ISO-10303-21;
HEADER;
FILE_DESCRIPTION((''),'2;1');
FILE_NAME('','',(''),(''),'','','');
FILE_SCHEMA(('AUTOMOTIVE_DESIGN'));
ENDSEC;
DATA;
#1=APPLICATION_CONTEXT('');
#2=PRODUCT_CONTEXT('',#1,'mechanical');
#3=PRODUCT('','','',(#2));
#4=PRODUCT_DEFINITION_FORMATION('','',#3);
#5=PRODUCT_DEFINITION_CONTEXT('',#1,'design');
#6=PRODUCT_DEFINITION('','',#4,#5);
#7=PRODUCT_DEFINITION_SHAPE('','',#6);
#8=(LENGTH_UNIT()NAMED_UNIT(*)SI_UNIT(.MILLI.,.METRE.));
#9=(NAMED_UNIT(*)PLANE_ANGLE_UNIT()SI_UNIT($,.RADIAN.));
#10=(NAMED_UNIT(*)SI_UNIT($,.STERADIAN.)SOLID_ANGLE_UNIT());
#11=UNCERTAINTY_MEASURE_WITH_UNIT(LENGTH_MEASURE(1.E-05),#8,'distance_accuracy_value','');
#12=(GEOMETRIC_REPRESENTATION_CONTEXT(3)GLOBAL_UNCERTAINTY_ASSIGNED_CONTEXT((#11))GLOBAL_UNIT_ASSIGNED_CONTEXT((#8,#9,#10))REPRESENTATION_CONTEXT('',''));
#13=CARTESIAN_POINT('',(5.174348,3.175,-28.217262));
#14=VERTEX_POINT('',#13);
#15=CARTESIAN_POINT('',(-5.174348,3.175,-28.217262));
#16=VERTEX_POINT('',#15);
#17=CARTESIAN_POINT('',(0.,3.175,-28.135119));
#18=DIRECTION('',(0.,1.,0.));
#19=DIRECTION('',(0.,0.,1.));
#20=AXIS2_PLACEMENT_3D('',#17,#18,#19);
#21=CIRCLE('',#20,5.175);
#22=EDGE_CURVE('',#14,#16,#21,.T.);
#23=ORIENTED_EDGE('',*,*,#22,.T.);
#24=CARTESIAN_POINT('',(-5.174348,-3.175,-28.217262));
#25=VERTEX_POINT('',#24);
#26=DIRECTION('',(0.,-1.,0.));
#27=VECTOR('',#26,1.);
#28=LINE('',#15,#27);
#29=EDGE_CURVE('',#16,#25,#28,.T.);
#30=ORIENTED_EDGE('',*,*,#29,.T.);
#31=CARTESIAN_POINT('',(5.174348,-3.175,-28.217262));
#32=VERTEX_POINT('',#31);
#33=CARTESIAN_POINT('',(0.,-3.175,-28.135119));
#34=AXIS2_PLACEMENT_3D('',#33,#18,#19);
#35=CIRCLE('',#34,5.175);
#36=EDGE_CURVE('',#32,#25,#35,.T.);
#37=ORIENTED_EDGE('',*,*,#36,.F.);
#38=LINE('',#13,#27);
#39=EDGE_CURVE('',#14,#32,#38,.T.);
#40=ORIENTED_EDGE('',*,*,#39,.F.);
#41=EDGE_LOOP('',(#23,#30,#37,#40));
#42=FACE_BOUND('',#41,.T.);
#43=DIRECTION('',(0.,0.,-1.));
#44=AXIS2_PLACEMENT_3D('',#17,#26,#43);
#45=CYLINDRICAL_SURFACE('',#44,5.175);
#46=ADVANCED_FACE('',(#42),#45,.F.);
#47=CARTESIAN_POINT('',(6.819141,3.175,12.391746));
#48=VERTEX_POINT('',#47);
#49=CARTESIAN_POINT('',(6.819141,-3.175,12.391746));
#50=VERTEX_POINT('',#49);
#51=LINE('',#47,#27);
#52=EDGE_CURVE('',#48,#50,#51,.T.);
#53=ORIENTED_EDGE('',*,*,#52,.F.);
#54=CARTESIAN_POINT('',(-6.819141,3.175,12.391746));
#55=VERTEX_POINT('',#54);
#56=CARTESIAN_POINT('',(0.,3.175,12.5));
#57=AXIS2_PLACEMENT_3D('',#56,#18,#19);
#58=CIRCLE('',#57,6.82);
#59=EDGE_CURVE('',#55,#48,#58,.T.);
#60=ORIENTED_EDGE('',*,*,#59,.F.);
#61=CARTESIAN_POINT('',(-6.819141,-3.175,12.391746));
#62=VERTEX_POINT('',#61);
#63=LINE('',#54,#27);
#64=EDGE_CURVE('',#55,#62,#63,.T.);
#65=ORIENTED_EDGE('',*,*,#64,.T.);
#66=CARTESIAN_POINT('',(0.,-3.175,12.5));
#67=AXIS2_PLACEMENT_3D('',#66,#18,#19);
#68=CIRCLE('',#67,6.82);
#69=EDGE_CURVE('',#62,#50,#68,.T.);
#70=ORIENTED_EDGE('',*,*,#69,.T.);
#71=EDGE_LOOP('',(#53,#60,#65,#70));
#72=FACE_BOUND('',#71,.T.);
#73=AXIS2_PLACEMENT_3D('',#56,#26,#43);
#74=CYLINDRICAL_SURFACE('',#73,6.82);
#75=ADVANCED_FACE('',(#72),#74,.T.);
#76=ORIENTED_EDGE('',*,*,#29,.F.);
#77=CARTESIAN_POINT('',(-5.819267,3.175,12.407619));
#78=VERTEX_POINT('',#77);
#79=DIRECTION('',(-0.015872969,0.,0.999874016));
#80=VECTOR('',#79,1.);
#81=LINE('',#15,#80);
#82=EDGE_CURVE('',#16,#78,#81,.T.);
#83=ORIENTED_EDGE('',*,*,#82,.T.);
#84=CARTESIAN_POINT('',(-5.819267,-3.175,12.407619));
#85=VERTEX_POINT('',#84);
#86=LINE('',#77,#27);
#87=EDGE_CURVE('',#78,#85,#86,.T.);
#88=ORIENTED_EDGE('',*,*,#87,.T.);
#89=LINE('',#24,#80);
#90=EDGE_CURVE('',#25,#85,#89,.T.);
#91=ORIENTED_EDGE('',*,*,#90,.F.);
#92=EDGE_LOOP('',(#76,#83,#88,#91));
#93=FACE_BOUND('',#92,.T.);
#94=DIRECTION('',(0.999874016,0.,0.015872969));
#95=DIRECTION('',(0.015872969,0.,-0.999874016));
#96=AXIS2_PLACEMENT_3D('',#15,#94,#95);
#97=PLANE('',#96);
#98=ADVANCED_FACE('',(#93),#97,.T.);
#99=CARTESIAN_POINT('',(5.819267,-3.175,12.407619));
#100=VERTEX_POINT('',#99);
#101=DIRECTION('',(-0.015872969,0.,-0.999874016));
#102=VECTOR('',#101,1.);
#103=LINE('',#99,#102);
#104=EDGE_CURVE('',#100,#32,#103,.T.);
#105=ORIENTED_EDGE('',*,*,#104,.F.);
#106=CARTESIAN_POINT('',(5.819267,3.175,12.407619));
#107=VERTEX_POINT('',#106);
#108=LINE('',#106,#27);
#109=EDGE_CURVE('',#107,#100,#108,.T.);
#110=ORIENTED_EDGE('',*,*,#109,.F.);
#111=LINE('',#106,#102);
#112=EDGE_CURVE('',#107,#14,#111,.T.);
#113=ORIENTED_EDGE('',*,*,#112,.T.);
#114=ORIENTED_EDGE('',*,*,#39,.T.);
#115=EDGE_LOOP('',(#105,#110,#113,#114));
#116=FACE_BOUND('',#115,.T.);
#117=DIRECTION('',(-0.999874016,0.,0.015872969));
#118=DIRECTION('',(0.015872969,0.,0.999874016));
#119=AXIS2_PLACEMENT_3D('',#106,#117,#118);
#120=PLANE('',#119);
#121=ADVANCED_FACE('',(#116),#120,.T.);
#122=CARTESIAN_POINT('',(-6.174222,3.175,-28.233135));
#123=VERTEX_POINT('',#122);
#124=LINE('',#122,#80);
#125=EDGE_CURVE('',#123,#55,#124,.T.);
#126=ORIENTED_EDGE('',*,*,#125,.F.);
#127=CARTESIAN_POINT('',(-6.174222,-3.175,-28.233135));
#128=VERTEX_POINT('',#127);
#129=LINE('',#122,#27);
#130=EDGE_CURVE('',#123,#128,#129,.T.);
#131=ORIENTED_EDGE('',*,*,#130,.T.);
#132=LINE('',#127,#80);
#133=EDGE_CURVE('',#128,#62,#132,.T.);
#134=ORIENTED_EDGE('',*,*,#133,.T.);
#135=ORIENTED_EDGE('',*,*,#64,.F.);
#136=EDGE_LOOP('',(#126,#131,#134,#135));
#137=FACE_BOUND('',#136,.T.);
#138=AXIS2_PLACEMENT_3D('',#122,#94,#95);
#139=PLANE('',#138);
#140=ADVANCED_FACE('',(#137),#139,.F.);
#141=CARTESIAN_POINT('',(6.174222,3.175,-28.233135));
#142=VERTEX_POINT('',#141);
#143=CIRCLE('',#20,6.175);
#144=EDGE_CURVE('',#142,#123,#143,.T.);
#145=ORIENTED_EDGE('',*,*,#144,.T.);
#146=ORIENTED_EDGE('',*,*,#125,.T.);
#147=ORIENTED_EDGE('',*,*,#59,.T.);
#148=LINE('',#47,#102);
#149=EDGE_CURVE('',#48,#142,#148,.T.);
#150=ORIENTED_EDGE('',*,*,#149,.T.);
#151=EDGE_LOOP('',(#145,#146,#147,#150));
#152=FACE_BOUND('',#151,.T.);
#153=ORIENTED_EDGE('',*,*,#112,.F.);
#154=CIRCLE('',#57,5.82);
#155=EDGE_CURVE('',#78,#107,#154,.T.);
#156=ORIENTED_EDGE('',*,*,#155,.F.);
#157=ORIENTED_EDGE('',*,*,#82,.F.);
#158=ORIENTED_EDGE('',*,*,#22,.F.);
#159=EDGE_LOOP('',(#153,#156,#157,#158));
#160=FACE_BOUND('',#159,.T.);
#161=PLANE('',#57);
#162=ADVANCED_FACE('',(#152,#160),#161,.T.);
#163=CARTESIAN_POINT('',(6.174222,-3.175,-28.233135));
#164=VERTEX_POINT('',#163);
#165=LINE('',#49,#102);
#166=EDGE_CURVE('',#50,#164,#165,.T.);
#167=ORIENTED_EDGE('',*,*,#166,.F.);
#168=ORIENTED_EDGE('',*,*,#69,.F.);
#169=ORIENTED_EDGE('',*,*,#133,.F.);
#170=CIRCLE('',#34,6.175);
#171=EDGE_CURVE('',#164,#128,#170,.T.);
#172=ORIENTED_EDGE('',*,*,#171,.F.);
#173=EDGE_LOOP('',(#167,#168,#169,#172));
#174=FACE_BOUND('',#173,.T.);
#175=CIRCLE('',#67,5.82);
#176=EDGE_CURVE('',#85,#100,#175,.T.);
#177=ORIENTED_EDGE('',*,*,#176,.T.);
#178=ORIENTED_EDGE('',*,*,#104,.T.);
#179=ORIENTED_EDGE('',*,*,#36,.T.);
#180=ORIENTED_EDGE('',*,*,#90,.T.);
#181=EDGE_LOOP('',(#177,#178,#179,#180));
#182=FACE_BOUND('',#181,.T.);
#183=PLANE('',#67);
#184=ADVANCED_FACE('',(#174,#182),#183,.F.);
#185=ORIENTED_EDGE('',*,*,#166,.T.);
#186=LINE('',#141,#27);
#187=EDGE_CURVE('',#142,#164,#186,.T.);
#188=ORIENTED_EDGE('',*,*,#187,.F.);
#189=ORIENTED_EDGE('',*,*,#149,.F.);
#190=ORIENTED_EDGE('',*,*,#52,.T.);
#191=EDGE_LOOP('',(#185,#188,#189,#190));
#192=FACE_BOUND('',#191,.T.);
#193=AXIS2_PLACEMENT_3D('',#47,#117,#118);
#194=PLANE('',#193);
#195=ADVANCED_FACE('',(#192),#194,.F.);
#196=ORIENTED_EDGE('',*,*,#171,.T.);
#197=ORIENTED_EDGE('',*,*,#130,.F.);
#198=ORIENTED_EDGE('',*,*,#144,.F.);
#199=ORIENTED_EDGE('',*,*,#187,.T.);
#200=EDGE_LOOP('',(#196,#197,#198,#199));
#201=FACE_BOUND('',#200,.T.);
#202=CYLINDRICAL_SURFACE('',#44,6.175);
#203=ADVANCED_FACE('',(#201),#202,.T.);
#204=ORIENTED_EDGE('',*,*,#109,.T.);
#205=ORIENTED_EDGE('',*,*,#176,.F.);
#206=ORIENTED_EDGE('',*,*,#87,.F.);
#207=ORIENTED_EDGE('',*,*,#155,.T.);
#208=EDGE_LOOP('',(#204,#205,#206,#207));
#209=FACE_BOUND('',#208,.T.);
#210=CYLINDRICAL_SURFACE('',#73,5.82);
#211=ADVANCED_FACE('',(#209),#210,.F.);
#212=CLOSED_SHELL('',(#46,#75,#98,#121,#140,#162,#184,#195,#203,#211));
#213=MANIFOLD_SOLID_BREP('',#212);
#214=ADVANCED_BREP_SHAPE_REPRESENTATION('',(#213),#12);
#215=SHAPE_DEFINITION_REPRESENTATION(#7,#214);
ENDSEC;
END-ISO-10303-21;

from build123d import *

# Parameters (mm, degrees)
BOSS_EXTRU_1_DEPTH = 3.175


with BuildPart() as part:
    # Esquisse1 → Boss.-Extru.1 (new, symmetric)
    with BuildSketch(Plane(origin=(0, 0, 0), x_dir=(1, 0, 0), z_dir=(0, 1, 0))):
        with BuildLine():
            Line((6.819140792, -12.39174635), (6.174222052, 28.23313494))
            ThreePointArc((6.174222052, 28.23313494), (0, 34.310119355), (-6.174222052, 28.23313494))
            Line((-6.174222052, 28.23313494), (-6.819140792, -12.39174635))
            ThreePointArc((-6.819140792, -12.39174635), (0, -19.32), (6.819140792, -12.39174635))
        make_face()
        with BuildLine():
            Line((5.819266776, -12.407619319), (5.174348035, 28.217261971))
            ThreePointArc((5.174348035, 28.217261971), (0, 33.310119355), (-5.174348035, 28.217261971))
            Line((-5.174348035, 28.217261971), (-5.819266776, -12.407619319))
            ThreePointArc((-5.819266776, -12.407619319), (0, -18.32), (5.819266776, -12.407619319))
        make_face(mode=Mode.SUBTRACT)
    extrude(amount=BOSS_EXTRU_1_DEPTH, both=True)


solid = part.part
